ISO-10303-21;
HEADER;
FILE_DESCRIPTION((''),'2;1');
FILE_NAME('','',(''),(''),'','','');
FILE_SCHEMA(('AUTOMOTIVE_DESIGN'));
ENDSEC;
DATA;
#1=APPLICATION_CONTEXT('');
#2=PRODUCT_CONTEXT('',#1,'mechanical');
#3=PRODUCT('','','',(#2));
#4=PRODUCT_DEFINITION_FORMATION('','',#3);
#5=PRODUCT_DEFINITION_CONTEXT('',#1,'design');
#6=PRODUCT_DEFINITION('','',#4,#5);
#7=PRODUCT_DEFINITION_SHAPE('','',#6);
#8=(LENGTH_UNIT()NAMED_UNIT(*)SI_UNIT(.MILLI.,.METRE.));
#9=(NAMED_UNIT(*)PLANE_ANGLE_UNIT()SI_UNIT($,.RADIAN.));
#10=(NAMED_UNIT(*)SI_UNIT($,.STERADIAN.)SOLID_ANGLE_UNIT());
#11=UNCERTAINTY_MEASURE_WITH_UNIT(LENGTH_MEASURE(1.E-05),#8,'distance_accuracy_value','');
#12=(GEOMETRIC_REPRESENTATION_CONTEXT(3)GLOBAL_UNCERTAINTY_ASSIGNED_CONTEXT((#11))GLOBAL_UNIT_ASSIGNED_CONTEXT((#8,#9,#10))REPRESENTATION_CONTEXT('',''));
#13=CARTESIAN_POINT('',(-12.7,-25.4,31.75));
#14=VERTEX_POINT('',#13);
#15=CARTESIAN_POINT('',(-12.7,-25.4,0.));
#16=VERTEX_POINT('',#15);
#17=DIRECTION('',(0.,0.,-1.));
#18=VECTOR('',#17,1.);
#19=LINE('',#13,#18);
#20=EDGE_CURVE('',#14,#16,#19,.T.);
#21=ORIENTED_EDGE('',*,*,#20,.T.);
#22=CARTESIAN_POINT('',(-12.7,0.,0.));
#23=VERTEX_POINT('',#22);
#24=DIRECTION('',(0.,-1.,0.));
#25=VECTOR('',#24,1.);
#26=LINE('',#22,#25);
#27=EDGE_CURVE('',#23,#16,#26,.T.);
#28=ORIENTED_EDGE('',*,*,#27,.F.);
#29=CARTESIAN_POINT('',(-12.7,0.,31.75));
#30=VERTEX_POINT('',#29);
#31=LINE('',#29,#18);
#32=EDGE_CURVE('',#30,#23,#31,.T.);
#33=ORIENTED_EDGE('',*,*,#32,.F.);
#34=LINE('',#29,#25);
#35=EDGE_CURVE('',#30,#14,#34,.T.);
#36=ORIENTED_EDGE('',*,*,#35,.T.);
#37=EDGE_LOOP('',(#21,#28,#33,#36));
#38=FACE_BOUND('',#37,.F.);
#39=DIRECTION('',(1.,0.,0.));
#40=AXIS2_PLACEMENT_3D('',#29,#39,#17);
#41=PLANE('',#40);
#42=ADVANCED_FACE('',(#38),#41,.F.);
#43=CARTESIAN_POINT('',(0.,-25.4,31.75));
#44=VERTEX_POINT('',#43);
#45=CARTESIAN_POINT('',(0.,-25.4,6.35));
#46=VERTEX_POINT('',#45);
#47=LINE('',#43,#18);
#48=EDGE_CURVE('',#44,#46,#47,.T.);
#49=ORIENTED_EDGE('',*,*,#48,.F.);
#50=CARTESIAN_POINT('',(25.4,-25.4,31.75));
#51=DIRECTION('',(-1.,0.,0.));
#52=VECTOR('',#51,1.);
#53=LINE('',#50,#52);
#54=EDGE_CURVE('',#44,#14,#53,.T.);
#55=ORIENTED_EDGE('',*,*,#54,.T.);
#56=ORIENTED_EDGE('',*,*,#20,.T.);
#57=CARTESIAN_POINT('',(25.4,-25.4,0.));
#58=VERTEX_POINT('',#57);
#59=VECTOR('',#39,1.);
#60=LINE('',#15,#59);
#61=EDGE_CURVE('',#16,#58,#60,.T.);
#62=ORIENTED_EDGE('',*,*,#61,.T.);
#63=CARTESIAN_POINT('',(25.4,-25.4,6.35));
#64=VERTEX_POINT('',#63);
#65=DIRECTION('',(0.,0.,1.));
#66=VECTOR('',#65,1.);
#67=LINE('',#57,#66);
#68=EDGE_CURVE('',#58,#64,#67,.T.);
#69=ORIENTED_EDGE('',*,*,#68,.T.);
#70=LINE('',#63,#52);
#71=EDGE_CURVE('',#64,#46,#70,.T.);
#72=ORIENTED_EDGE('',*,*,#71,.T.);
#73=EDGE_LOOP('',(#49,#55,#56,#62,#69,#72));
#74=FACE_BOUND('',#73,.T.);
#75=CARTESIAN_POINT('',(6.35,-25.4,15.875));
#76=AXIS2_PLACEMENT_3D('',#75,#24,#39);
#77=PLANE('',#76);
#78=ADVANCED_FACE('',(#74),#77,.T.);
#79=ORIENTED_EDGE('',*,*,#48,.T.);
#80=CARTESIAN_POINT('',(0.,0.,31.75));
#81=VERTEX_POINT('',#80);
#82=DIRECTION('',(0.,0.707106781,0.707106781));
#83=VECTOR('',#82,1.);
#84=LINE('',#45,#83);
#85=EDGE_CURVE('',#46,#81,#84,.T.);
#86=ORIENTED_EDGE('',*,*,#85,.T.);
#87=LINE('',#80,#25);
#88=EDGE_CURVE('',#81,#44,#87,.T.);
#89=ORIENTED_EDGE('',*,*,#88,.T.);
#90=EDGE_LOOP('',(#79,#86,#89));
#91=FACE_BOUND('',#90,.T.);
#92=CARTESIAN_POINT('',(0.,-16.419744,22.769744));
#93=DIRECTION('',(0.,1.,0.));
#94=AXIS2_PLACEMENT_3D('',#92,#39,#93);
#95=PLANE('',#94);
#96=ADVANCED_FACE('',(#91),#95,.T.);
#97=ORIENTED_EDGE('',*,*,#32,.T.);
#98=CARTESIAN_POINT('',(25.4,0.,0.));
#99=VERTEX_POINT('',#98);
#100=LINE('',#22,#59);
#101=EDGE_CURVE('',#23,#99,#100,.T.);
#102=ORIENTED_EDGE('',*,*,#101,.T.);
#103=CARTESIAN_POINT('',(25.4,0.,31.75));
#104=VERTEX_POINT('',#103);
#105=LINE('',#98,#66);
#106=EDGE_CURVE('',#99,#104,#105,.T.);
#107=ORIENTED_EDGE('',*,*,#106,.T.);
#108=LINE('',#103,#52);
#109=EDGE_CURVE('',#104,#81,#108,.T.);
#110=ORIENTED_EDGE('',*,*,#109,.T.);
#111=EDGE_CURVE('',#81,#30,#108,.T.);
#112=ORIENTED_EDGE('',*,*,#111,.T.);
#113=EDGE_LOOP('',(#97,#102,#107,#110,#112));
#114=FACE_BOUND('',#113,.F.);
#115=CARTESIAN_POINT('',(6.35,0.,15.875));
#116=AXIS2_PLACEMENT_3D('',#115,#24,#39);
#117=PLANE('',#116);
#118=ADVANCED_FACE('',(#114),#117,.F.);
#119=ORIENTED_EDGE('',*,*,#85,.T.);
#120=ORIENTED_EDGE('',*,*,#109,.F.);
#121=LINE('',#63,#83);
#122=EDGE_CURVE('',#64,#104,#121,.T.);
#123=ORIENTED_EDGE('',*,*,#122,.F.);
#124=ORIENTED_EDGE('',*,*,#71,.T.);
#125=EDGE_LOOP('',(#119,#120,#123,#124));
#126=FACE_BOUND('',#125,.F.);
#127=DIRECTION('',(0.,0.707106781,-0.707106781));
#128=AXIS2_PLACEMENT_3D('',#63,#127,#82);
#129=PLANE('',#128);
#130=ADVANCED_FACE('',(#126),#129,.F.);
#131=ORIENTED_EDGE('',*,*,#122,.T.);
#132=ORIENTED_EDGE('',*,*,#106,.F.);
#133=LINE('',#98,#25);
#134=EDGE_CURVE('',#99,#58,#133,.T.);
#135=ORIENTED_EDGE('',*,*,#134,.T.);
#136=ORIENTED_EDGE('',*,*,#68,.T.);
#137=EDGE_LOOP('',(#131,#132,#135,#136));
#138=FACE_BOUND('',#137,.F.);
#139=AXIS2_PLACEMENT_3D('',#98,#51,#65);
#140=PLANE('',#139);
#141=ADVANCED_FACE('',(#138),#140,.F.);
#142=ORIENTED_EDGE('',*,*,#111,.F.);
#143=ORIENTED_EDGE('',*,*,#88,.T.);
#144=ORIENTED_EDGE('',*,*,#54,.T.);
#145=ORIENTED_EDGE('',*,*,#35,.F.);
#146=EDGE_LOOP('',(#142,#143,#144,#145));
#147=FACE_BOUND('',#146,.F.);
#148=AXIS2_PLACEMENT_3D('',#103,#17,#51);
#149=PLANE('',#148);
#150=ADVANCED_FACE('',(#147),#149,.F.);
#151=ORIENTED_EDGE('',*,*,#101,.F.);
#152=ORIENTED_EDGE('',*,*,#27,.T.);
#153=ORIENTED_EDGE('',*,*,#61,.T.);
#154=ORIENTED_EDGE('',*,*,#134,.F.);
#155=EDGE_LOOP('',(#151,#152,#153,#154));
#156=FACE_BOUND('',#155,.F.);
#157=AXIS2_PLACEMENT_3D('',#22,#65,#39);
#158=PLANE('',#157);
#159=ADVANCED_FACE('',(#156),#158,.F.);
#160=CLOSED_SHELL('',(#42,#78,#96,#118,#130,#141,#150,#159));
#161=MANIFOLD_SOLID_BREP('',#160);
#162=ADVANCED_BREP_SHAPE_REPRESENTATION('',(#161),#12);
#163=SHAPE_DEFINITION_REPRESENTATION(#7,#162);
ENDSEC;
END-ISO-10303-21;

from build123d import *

# Parameters (mm, degrees)
F1_DEPTH = 25.4
F3_DEPTH = 25.4


with BuildPart() as f1:
    # F0 (on Front) → F1 (new body)
    with BuildSketch(Plane.XZ):
        Polygon((-12.7, 0), (0, 0), (25.4, 0), (25.4, 31.75), (-12.7, 31.75), align=None)
    extrude(amount=F1_DEPTH)

    # F2 (on face) → F3 (cut)
    with BuildSketch(Plane.YZ.offset(25.4)):
        Polygon((-25.4, 31.75), (-25.4, 6.35), (0, 31.75), align=None)
    extrude(amount=-F3_DEPTH, mode=Mode.SUBTRACT)


solid = f1.part
